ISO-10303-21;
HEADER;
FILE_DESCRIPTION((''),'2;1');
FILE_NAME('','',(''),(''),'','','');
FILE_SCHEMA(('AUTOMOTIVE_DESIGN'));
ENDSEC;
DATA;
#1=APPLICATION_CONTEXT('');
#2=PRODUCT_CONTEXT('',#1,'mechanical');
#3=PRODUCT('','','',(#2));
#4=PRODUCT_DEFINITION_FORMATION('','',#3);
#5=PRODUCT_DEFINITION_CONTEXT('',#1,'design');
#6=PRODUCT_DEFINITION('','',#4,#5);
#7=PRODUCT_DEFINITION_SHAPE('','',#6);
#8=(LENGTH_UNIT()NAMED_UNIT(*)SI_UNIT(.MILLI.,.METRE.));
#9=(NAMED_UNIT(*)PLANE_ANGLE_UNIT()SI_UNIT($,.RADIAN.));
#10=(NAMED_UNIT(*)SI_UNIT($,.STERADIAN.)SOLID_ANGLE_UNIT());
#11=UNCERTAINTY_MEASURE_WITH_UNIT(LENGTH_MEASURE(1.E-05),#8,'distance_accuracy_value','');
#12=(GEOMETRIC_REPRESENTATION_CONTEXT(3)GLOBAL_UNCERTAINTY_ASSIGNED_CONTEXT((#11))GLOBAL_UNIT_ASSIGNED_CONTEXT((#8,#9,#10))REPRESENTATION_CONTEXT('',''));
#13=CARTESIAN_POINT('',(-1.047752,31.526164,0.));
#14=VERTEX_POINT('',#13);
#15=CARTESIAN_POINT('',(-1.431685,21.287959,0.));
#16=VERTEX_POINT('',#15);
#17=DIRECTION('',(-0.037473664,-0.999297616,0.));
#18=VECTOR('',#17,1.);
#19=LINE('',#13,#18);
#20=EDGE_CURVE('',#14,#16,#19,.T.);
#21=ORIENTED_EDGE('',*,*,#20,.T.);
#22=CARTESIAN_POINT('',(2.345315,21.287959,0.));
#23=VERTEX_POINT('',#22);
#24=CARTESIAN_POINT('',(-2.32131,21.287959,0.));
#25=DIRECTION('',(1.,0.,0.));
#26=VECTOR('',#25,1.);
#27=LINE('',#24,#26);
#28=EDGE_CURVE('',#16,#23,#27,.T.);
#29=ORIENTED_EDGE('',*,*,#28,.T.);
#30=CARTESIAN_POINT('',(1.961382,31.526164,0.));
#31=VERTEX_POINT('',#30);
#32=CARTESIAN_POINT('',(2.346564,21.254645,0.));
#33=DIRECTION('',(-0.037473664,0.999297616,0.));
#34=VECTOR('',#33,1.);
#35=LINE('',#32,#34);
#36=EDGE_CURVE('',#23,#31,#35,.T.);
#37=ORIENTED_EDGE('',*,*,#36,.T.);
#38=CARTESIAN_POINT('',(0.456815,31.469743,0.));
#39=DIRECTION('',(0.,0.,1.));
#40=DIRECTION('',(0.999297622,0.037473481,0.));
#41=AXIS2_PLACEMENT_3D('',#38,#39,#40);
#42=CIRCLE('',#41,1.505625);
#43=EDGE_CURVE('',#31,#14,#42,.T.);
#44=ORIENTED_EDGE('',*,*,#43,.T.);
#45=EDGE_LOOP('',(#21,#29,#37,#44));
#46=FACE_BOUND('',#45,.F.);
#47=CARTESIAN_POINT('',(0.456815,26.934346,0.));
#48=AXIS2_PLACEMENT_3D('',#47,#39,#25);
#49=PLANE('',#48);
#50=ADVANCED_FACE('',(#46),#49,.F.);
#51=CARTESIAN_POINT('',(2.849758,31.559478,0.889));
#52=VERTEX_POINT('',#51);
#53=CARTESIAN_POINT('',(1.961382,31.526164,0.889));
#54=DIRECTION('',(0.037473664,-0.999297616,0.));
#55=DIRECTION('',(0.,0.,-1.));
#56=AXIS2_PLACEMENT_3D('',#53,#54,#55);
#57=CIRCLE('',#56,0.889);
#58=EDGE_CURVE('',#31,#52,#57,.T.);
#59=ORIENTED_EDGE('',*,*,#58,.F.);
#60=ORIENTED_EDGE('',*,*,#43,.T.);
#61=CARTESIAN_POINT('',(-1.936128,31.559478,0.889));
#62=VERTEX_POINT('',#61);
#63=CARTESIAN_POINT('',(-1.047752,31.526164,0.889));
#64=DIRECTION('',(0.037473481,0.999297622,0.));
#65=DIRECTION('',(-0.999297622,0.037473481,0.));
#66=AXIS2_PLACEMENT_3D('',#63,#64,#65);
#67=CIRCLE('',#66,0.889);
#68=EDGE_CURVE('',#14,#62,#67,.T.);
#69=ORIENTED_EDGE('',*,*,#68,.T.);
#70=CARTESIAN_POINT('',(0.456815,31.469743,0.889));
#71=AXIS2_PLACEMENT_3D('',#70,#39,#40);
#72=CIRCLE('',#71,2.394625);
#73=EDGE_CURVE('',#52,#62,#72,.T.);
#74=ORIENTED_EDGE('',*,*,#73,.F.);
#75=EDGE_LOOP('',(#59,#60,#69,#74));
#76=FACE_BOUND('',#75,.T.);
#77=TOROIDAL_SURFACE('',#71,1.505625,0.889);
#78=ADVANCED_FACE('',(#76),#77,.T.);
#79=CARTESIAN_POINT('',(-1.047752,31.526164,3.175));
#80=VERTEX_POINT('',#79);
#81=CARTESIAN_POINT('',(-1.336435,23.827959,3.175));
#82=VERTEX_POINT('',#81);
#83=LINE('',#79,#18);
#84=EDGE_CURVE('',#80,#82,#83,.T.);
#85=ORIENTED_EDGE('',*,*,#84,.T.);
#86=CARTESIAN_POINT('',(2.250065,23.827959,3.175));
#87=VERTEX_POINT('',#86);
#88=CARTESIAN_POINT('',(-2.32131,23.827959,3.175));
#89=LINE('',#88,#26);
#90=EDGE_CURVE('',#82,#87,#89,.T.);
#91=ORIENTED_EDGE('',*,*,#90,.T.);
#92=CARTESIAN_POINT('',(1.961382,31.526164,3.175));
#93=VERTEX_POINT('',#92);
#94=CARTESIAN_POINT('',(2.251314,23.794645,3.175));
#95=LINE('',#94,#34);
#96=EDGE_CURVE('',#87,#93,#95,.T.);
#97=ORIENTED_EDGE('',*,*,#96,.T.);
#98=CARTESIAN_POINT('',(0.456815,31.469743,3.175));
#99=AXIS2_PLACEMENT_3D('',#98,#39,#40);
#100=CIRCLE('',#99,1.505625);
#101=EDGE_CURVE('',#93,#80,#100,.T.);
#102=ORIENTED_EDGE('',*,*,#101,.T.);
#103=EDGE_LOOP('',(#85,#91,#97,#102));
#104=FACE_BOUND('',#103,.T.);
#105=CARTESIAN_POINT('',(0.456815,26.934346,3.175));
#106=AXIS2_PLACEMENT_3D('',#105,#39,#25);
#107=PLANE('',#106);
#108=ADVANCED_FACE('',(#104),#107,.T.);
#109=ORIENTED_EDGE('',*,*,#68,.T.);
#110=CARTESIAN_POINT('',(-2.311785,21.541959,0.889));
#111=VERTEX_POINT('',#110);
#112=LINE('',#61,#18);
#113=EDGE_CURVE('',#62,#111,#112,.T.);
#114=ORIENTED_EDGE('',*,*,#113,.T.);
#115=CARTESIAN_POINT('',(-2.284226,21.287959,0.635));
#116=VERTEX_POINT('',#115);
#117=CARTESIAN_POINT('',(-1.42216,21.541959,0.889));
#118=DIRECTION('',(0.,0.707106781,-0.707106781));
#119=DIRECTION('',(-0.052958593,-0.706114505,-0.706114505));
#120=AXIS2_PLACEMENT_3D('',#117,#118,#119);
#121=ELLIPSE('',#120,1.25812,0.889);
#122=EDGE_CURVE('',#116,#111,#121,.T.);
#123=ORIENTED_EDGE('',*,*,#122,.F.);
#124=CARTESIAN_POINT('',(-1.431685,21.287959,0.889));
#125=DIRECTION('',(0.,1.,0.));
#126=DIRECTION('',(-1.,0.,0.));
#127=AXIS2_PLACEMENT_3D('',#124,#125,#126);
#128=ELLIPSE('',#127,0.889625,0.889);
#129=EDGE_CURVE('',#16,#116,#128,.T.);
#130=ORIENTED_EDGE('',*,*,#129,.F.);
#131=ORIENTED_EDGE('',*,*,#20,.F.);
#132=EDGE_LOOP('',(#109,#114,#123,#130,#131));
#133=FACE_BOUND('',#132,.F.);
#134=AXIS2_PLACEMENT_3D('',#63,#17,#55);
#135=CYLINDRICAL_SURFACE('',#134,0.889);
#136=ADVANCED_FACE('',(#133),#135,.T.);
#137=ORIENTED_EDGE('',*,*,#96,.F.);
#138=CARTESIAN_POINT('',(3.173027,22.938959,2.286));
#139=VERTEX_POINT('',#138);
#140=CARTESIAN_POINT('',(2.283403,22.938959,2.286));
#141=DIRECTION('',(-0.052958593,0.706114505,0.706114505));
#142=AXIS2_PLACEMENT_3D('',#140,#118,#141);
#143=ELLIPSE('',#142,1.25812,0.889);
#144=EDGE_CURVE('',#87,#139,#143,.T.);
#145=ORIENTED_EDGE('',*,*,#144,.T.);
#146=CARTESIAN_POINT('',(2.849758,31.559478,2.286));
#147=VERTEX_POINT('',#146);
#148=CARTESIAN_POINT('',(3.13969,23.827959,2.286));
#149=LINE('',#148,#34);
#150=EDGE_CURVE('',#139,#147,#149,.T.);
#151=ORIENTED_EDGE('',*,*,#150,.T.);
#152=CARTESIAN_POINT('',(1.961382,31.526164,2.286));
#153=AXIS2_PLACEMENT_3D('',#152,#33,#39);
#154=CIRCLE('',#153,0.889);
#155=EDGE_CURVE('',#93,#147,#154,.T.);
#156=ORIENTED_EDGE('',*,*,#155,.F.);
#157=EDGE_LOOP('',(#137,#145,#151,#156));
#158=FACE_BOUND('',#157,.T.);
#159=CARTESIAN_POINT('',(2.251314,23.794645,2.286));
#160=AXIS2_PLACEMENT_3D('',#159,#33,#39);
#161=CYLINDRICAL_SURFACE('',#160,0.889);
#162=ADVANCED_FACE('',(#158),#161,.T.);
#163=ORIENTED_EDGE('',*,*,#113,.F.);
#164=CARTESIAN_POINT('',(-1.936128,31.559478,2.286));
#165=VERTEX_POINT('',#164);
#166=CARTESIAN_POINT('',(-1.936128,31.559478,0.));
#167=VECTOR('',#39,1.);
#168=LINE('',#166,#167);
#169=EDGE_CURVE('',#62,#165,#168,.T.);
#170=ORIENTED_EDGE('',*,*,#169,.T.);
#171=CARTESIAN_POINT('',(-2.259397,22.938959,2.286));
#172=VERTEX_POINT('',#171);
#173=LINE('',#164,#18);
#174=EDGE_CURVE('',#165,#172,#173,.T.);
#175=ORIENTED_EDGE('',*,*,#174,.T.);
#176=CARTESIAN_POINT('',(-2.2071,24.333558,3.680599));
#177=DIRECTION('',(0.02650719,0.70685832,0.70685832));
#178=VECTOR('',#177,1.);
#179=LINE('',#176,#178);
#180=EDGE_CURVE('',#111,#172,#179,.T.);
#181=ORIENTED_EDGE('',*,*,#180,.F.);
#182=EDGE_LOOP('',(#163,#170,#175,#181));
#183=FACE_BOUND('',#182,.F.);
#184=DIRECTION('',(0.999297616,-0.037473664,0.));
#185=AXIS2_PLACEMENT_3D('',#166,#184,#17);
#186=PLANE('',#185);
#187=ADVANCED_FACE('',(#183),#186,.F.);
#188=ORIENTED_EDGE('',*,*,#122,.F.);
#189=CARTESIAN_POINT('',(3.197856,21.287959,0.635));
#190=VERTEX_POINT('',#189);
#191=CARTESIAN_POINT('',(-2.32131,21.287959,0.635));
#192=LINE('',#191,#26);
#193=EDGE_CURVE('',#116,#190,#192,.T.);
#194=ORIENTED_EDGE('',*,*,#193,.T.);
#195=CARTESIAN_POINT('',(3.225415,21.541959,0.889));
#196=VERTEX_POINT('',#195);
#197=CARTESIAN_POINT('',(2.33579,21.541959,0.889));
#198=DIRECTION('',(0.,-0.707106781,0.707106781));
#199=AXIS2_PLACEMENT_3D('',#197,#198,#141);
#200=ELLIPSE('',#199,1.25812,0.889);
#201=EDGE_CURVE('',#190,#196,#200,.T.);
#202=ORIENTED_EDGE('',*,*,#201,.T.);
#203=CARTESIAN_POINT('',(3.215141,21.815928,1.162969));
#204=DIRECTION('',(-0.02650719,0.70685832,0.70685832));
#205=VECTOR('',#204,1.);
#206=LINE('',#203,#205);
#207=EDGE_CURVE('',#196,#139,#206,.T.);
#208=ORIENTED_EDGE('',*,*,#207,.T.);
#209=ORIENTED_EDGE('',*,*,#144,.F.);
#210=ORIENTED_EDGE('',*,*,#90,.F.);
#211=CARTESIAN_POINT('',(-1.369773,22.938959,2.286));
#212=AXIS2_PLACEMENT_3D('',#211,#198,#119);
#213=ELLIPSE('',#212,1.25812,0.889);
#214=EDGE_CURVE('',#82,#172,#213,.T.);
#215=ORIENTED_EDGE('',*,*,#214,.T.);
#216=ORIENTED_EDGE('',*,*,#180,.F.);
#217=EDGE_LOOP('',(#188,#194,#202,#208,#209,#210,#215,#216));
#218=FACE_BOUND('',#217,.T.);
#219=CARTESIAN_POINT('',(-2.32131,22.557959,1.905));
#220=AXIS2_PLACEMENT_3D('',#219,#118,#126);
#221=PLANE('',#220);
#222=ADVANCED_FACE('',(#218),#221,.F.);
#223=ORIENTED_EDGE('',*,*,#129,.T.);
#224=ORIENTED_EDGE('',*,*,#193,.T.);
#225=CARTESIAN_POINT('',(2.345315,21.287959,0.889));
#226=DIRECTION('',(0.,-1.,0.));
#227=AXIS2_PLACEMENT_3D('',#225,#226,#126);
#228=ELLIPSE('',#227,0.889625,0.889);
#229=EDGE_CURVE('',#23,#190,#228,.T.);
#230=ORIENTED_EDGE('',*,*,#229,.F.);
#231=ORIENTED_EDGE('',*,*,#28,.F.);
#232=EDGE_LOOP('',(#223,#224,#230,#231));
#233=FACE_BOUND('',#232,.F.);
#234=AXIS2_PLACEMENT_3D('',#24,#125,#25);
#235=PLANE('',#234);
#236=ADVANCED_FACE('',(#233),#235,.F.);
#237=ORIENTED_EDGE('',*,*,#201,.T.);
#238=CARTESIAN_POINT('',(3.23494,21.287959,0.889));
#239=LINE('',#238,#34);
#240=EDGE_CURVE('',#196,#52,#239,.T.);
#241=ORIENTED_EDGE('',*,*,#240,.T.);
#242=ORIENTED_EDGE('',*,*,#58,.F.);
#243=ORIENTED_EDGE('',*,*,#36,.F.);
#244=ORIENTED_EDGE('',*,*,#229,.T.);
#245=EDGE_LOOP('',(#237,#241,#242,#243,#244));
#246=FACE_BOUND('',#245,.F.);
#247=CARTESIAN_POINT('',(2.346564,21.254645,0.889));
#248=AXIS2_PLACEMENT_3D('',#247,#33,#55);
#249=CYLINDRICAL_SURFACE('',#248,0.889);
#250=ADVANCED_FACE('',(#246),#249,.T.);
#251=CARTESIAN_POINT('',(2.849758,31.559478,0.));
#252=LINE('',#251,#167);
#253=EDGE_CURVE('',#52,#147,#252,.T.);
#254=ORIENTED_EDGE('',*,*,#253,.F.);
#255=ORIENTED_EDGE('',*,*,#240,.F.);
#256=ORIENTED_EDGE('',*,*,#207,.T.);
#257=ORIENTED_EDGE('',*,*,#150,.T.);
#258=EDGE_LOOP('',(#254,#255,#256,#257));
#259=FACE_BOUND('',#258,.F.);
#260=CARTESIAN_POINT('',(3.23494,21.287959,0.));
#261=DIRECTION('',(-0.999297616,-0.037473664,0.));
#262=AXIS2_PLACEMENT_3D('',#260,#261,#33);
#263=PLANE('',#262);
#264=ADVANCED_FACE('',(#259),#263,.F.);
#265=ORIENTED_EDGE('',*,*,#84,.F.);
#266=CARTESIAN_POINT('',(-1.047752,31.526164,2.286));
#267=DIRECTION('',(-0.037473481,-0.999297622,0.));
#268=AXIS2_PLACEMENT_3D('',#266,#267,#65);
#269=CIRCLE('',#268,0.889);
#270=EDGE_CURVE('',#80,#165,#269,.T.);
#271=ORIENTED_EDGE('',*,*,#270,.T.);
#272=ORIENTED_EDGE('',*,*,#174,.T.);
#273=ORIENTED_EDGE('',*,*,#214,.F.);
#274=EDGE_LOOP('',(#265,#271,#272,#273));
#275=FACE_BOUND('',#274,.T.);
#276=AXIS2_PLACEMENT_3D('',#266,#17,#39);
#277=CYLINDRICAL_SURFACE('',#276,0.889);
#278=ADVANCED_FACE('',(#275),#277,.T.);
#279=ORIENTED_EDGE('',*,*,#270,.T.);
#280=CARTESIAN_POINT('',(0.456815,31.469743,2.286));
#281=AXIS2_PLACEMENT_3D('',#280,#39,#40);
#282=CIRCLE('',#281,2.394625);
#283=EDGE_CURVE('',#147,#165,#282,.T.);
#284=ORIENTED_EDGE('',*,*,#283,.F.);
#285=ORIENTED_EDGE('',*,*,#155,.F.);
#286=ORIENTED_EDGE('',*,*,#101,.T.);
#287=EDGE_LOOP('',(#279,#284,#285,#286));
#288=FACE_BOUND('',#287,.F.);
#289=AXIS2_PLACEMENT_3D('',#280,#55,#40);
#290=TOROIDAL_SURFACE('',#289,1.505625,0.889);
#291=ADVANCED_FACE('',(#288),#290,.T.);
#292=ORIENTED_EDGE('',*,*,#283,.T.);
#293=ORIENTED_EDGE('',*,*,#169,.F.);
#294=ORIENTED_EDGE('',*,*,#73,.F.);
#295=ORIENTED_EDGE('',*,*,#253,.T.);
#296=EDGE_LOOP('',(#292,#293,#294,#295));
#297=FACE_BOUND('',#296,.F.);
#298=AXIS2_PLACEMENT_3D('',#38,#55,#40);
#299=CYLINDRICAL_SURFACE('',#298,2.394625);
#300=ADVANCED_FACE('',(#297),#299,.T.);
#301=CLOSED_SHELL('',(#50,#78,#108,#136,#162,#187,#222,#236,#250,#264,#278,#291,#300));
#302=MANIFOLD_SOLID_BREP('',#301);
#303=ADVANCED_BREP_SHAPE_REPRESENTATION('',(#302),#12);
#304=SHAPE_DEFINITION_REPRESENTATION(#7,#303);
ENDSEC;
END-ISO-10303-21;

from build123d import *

# Parameters (mm, degrees)
F1_DEPTH = 3.175
F2_SIZE  = 2.54
F3_R     = 0.889


with BuildPart() as f1:
    # F0 (on Top) → F1 (new body)
    with BuildSketch(Plane.XY):
        with BuildLine():
            Line((3.23494, 21.287959), (2.849758, 31.559478))
            ThreePointArc((2.849758, 31.559478), (0.456815, 33.864368), (-1.936128, 31.559478))
            Line((-1.936128, 31.559478), (-2.32131, 21.287959))
            Line((-2.32131, 21.287959), (3.23494, 21.287959))
        make_face()
    extrude(amount=F1_DEPTH)

    # F2
    f2_edges = [f1.edges().sort_by_distance(p)[0] for p in [
        (0.456815, 21.287959, 3.175),
    ]]
    chamfer(f2_edges, length=F2_SIZE)

    # F3
    f3_edges = [f1.edges().sort_by_distance(p)[0] for p in [
        (-2.081094, 27.693719, 3.175),
        (-2.128719, 26.423719, 0),
    ]]
    fillet(f3_edges, radius=F3_R)


solid = f1.part
